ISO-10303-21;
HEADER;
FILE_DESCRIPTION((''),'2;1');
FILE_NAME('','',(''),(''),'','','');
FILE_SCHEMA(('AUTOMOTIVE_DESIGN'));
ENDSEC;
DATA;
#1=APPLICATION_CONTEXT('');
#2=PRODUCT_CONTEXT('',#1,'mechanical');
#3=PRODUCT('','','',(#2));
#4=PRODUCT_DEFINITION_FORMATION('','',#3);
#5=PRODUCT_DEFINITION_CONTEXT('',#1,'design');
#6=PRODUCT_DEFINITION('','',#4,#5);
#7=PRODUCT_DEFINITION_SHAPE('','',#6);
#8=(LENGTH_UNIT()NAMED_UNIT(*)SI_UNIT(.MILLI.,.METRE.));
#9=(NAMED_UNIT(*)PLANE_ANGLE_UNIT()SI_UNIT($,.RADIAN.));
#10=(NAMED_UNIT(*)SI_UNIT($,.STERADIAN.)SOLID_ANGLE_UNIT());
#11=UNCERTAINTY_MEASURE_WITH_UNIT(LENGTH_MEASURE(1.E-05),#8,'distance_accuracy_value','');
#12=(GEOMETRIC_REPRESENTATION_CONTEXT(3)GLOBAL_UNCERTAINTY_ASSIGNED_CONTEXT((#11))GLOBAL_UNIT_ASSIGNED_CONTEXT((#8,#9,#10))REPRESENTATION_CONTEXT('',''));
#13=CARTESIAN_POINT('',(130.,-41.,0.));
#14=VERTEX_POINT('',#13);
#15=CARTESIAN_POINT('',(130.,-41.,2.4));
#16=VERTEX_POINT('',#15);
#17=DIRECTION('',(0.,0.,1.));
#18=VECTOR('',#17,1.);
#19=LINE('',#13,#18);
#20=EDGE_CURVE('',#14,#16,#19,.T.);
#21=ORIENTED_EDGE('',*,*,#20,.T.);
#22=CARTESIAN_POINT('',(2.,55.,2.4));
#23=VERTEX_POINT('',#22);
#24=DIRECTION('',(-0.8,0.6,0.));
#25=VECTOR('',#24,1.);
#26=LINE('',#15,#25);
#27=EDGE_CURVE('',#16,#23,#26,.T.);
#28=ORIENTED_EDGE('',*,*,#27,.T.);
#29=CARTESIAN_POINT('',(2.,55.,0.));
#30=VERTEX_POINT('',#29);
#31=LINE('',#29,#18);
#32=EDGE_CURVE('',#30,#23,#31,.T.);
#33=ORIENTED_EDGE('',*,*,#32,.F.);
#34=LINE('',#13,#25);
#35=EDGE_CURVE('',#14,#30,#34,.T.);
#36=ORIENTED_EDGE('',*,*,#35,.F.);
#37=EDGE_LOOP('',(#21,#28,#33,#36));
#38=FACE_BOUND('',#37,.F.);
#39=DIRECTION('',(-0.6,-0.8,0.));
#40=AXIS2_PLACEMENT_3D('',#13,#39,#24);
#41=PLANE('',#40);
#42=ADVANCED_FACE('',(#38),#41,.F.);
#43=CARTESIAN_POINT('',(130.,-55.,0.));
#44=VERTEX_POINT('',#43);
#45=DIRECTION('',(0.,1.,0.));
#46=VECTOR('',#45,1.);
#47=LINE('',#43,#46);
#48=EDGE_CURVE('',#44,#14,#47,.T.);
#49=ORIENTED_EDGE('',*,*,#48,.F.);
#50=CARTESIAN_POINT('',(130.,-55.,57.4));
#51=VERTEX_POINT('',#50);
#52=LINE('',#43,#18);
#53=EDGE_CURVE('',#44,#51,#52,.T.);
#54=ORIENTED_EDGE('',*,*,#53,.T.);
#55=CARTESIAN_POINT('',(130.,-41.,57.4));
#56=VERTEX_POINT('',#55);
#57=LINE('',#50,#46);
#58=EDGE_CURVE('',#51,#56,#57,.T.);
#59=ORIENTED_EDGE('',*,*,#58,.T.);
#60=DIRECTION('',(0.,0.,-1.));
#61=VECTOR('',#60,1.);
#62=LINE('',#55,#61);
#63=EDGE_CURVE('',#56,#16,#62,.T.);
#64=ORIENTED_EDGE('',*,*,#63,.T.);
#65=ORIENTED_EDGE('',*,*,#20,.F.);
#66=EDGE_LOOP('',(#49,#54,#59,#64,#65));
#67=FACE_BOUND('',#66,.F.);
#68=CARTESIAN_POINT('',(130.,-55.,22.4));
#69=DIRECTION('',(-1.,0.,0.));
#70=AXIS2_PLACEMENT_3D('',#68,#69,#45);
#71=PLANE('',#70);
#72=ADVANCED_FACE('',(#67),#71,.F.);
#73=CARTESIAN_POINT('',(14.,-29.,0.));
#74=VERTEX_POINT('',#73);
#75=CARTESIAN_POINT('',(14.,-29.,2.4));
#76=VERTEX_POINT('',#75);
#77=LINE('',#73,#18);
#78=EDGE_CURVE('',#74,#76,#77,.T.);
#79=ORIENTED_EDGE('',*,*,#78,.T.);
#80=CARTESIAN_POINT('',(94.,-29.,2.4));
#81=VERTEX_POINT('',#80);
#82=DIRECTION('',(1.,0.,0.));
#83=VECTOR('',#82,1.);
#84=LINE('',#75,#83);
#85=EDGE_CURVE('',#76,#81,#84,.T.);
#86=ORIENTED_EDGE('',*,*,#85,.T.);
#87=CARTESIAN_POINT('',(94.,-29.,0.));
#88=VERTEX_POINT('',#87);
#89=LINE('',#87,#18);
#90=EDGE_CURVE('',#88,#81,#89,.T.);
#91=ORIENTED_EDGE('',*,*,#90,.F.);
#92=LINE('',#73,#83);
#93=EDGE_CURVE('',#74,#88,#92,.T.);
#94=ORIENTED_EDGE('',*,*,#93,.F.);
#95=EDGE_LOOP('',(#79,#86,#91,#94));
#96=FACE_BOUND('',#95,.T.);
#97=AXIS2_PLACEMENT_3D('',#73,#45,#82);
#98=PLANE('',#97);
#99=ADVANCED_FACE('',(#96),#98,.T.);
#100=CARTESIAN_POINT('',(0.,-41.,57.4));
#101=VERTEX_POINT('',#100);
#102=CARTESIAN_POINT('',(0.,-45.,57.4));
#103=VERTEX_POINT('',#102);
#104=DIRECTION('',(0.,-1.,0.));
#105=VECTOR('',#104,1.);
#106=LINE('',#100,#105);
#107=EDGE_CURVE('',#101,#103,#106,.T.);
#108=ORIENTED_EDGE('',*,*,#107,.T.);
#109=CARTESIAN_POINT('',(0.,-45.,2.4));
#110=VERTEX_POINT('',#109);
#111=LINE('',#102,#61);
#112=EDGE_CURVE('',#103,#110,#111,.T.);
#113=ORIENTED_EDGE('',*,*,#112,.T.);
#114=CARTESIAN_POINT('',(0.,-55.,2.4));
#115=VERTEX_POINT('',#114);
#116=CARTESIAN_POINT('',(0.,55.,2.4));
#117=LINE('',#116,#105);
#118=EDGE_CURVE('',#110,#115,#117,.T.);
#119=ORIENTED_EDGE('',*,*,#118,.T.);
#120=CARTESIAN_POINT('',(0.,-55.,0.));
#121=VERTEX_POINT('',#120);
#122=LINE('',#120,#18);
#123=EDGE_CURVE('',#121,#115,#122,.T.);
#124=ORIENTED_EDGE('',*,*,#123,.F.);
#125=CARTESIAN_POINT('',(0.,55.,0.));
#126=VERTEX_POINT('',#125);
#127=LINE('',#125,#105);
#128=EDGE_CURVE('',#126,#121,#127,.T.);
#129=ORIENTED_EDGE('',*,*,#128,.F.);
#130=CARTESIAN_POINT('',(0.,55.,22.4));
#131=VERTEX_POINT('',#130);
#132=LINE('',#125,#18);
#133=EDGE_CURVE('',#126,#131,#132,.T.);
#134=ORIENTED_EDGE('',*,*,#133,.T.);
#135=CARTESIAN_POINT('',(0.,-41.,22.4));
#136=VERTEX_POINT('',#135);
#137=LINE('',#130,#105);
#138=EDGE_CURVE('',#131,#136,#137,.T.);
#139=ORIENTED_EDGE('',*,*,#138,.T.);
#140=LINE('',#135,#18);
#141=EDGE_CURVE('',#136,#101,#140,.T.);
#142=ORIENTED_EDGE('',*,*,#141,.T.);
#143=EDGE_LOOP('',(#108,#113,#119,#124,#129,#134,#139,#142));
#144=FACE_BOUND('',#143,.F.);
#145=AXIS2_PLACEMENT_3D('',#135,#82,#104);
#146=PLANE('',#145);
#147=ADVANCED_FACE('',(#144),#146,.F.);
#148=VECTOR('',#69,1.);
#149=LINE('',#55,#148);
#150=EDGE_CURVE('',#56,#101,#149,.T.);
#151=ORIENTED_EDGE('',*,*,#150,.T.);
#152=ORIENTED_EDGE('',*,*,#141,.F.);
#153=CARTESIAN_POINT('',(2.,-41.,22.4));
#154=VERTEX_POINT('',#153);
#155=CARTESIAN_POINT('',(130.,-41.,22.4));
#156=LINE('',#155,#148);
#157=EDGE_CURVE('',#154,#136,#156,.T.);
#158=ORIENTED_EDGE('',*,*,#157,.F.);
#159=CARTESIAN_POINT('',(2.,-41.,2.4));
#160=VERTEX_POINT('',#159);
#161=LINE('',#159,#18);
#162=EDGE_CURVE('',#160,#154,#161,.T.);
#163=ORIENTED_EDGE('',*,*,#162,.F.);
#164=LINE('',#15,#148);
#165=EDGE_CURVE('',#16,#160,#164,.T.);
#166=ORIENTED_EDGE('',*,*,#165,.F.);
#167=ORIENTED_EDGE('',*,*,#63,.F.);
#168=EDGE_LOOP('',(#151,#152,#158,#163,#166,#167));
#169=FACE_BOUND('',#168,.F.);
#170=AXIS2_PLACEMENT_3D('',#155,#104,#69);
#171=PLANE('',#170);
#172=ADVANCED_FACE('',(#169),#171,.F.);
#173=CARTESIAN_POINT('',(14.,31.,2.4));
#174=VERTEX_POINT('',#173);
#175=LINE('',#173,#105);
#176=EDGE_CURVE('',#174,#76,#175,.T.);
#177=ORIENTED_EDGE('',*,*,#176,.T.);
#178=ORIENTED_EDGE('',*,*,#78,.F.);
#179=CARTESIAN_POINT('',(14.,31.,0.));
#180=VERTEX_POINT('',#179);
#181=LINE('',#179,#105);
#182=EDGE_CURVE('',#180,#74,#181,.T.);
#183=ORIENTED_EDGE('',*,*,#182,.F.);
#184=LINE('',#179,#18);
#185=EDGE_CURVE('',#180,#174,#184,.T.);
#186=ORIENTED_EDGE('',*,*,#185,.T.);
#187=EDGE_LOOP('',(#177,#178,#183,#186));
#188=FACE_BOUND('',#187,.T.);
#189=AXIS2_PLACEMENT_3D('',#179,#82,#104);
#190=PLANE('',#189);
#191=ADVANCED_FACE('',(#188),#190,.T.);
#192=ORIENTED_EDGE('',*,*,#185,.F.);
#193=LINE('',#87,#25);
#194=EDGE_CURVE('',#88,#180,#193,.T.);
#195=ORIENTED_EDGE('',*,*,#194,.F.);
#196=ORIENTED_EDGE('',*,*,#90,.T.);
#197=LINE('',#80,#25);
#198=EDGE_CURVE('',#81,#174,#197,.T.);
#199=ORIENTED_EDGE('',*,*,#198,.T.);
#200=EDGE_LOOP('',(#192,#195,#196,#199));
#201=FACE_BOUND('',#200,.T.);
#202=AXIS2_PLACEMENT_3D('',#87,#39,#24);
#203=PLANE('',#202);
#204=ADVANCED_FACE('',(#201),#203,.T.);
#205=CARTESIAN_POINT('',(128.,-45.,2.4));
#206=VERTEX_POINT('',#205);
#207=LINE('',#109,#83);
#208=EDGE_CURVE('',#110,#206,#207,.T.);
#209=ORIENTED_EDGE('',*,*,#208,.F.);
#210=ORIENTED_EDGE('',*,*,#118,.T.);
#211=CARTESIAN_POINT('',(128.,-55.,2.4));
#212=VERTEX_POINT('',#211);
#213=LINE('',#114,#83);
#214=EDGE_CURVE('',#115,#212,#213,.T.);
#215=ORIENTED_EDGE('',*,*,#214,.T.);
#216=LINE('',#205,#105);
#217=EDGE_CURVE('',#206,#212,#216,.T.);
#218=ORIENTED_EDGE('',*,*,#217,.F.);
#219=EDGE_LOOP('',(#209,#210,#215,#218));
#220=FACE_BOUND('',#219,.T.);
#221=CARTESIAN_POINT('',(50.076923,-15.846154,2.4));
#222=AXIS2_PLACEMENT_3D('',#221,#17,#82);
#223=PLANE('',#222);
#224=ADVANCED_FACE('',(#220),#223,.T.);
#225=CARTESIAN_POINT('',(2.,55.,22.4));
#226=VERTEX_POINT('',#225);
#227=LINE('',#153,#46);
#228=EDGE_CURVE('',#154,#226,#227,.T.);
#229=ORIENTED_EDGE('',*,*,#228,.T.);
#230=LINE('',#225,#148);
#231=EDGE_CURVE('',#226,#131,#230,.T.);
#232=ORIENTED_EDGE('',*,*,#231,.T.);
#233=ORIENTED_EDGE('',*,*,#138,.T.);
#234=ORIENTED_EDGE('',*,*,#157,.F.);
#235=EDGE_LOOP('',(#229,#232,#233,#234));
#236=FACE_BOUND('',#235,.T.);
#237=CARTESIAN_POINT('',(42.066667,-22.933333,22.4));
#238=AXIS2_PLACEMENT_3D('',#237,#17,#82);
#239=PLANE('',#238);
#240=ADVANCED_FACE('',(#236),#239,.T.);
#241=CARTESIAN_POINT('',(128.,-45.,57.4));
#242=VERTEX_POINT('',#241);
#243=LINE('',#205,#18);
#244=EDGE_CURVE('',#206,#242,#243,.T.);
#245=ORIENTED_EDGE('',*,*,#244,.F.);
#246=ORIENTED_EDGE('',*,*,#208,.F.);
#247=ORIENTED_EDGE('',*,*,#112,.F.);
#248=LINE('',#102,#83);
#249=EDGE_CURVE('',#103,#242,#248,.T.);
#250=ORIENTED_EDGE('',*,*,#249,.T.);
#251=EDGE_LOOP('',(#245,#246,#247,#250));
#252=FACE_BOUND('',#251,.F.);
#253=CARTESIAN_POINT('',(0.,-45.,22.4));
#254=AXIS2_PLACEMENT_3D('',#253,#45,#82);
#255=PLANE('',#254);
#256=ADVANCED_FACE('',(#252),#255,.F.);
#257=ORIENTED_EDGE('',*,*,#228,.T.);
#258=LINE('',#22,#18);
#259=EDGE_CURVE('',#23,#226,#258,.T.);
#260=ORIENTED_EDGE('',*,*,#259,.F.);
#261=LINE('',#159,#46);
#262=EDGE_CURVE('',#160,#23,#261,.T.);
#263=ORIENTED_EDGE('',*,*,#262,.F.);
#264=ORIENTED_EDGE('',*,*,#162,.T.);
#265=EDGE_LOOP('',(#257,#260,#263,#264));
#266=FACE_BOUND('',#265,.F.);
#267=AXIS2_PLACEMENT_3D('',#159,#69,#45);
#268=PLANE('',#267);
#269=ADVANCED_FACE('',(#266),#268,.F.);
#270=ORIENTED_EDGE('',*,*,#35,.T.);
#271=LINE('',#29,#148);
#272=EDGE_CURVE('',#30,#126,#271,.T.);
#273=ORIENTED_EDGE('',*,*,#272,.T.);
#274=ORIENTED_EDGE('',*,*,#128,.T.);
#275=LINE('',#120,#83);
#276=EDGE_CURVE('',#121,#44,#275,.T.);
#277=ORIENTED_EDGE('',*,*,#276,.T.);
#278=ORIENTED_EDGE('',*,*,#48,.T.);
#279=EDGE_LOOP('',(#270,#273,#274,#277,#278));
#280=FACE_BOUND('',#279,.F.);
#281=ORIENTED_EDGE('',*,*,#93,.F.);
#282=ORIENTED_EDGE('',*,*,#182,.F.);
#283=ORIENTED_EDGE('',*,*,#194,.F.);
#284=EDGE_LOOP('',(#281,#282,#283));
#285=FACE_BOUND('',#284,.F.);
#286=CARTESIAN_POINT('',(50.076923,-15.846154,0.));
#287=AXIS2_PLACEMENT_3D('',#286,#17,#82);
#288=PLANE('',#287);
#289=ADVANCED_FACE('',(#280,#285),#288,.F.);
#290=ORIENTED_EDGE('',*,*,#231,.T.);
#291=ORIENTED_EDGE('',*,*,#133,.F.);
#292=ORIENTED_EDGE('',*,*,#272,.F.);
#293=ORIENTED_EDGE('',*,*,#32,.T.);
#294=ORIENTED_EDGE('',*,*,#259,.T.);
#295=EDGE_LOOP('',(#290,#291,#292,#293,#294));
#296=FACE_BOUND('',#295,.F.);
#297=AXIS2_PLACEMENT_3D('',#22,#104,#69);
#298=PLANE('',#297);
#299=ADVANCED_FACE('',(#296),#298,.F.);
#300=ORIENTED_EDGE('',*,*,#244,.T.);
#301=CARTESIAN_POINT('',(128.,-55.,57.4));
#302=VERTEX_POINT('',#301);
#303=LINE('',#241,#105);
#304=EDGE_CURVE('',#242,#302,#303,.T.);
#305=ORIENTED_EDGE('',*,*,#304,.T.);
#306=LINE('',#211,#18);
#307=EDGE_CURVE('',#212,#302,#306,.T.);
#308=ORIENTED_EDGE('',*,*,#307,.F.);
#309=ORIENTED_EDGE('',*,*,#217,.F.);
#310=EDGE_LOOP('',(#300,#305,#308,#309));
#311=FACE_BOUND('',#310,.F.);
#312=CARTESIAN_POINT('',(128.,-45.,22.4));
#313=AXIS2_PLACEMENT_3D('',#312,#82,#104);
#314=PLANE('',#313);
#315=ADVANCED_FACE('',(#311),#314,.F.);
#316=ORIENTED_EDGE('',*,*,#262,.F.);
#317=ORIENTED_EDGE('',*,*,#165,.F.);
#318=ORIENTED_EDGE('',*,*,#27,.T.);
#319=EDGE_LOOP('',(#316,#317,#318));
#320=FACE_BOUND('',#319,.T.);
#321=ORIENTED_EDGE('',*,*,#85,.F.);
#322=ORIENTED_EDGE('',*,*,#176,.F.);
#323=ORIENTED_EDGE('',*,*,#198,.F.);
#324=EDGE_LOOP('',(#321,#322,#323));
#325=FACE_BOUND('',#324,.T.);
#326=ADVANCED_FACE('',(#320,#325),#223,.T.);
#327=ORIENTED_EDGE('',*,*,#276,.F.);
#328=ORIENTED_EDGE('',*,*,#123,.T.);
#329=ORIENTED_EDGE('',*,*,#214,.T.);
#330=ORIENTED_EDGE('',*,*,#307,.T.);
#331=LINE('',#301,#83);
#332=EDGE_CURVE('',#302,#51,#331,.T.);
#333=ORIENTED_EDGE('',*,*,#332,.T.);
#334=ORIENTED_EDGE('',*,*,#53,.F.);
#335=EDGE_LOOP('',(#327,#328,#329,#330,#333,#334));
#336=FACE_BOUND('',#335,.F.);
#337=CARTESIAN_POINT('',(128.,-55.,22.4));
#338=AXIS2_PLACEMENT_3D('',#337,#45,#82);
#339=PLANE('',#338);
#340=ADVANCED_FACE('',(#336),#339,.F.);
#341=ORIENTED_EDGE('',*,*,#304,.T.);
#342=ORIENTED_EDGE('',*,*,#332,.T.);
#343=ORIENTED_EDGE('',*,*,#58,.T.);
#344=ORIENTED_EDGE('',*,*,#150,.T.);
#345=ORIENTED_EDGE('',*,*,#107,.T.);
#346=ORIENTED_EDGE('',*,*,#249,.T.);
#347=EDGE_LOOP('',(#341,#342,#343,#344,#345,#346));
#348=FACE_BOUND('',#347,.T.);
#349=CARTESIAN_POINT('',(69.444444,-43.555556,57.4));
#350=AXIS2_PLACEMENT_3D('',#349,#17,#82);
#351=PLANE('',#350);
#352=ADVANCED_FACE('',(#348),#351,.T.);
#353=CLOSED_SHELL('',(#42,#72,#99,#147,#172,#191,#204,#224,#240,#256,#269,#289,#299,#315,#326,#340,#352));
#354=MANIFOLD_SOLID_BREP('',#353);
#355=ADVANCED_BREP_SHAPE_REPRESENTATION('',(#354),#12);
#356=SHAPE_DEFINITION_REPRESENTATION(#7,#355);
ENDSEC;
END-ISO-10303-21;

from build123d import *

# Parameters (mm, degrees)
PAD002_DEPTH = 2.4
PAD003_DEPTH = 20
PAD004_DEPTH = 35


with BuildPart() as part:
    # Sketch007 → Pad002 (new body)
    with BuildSketch(Plane.XY):
        Polygon((0, 55), (0, -55), (130, -55), (130, -41), (2, 55), align=None)
        Polygon((14, 31), (14, -29), (94, -29), align=None, mode=Mode.SUBTRACT)
    extrude(amount=PAD002_DEPTH)

    # Sketch008 → Pad003 (join)
    with BuildSketch(Plane.XY.offset(2.4)):
        Polygon((2, 55), (0, 55), (0, -45), (128, -45), (128, -55), (130, -55), (130, -41), (2, -41), align=None)
    extrude(amount=PAD003_DEPTH)

    # Sketch009 → Pad004 (join)
    with BuildSketch(Plane.XY.offset(22.4)):
        Polygon((0, -45), (128, -45), (128, -55), (130, -55), (130, -41), (0, -41), align=None)
    extrude(amount=PAD004_DEPTH)


solid = part.part
